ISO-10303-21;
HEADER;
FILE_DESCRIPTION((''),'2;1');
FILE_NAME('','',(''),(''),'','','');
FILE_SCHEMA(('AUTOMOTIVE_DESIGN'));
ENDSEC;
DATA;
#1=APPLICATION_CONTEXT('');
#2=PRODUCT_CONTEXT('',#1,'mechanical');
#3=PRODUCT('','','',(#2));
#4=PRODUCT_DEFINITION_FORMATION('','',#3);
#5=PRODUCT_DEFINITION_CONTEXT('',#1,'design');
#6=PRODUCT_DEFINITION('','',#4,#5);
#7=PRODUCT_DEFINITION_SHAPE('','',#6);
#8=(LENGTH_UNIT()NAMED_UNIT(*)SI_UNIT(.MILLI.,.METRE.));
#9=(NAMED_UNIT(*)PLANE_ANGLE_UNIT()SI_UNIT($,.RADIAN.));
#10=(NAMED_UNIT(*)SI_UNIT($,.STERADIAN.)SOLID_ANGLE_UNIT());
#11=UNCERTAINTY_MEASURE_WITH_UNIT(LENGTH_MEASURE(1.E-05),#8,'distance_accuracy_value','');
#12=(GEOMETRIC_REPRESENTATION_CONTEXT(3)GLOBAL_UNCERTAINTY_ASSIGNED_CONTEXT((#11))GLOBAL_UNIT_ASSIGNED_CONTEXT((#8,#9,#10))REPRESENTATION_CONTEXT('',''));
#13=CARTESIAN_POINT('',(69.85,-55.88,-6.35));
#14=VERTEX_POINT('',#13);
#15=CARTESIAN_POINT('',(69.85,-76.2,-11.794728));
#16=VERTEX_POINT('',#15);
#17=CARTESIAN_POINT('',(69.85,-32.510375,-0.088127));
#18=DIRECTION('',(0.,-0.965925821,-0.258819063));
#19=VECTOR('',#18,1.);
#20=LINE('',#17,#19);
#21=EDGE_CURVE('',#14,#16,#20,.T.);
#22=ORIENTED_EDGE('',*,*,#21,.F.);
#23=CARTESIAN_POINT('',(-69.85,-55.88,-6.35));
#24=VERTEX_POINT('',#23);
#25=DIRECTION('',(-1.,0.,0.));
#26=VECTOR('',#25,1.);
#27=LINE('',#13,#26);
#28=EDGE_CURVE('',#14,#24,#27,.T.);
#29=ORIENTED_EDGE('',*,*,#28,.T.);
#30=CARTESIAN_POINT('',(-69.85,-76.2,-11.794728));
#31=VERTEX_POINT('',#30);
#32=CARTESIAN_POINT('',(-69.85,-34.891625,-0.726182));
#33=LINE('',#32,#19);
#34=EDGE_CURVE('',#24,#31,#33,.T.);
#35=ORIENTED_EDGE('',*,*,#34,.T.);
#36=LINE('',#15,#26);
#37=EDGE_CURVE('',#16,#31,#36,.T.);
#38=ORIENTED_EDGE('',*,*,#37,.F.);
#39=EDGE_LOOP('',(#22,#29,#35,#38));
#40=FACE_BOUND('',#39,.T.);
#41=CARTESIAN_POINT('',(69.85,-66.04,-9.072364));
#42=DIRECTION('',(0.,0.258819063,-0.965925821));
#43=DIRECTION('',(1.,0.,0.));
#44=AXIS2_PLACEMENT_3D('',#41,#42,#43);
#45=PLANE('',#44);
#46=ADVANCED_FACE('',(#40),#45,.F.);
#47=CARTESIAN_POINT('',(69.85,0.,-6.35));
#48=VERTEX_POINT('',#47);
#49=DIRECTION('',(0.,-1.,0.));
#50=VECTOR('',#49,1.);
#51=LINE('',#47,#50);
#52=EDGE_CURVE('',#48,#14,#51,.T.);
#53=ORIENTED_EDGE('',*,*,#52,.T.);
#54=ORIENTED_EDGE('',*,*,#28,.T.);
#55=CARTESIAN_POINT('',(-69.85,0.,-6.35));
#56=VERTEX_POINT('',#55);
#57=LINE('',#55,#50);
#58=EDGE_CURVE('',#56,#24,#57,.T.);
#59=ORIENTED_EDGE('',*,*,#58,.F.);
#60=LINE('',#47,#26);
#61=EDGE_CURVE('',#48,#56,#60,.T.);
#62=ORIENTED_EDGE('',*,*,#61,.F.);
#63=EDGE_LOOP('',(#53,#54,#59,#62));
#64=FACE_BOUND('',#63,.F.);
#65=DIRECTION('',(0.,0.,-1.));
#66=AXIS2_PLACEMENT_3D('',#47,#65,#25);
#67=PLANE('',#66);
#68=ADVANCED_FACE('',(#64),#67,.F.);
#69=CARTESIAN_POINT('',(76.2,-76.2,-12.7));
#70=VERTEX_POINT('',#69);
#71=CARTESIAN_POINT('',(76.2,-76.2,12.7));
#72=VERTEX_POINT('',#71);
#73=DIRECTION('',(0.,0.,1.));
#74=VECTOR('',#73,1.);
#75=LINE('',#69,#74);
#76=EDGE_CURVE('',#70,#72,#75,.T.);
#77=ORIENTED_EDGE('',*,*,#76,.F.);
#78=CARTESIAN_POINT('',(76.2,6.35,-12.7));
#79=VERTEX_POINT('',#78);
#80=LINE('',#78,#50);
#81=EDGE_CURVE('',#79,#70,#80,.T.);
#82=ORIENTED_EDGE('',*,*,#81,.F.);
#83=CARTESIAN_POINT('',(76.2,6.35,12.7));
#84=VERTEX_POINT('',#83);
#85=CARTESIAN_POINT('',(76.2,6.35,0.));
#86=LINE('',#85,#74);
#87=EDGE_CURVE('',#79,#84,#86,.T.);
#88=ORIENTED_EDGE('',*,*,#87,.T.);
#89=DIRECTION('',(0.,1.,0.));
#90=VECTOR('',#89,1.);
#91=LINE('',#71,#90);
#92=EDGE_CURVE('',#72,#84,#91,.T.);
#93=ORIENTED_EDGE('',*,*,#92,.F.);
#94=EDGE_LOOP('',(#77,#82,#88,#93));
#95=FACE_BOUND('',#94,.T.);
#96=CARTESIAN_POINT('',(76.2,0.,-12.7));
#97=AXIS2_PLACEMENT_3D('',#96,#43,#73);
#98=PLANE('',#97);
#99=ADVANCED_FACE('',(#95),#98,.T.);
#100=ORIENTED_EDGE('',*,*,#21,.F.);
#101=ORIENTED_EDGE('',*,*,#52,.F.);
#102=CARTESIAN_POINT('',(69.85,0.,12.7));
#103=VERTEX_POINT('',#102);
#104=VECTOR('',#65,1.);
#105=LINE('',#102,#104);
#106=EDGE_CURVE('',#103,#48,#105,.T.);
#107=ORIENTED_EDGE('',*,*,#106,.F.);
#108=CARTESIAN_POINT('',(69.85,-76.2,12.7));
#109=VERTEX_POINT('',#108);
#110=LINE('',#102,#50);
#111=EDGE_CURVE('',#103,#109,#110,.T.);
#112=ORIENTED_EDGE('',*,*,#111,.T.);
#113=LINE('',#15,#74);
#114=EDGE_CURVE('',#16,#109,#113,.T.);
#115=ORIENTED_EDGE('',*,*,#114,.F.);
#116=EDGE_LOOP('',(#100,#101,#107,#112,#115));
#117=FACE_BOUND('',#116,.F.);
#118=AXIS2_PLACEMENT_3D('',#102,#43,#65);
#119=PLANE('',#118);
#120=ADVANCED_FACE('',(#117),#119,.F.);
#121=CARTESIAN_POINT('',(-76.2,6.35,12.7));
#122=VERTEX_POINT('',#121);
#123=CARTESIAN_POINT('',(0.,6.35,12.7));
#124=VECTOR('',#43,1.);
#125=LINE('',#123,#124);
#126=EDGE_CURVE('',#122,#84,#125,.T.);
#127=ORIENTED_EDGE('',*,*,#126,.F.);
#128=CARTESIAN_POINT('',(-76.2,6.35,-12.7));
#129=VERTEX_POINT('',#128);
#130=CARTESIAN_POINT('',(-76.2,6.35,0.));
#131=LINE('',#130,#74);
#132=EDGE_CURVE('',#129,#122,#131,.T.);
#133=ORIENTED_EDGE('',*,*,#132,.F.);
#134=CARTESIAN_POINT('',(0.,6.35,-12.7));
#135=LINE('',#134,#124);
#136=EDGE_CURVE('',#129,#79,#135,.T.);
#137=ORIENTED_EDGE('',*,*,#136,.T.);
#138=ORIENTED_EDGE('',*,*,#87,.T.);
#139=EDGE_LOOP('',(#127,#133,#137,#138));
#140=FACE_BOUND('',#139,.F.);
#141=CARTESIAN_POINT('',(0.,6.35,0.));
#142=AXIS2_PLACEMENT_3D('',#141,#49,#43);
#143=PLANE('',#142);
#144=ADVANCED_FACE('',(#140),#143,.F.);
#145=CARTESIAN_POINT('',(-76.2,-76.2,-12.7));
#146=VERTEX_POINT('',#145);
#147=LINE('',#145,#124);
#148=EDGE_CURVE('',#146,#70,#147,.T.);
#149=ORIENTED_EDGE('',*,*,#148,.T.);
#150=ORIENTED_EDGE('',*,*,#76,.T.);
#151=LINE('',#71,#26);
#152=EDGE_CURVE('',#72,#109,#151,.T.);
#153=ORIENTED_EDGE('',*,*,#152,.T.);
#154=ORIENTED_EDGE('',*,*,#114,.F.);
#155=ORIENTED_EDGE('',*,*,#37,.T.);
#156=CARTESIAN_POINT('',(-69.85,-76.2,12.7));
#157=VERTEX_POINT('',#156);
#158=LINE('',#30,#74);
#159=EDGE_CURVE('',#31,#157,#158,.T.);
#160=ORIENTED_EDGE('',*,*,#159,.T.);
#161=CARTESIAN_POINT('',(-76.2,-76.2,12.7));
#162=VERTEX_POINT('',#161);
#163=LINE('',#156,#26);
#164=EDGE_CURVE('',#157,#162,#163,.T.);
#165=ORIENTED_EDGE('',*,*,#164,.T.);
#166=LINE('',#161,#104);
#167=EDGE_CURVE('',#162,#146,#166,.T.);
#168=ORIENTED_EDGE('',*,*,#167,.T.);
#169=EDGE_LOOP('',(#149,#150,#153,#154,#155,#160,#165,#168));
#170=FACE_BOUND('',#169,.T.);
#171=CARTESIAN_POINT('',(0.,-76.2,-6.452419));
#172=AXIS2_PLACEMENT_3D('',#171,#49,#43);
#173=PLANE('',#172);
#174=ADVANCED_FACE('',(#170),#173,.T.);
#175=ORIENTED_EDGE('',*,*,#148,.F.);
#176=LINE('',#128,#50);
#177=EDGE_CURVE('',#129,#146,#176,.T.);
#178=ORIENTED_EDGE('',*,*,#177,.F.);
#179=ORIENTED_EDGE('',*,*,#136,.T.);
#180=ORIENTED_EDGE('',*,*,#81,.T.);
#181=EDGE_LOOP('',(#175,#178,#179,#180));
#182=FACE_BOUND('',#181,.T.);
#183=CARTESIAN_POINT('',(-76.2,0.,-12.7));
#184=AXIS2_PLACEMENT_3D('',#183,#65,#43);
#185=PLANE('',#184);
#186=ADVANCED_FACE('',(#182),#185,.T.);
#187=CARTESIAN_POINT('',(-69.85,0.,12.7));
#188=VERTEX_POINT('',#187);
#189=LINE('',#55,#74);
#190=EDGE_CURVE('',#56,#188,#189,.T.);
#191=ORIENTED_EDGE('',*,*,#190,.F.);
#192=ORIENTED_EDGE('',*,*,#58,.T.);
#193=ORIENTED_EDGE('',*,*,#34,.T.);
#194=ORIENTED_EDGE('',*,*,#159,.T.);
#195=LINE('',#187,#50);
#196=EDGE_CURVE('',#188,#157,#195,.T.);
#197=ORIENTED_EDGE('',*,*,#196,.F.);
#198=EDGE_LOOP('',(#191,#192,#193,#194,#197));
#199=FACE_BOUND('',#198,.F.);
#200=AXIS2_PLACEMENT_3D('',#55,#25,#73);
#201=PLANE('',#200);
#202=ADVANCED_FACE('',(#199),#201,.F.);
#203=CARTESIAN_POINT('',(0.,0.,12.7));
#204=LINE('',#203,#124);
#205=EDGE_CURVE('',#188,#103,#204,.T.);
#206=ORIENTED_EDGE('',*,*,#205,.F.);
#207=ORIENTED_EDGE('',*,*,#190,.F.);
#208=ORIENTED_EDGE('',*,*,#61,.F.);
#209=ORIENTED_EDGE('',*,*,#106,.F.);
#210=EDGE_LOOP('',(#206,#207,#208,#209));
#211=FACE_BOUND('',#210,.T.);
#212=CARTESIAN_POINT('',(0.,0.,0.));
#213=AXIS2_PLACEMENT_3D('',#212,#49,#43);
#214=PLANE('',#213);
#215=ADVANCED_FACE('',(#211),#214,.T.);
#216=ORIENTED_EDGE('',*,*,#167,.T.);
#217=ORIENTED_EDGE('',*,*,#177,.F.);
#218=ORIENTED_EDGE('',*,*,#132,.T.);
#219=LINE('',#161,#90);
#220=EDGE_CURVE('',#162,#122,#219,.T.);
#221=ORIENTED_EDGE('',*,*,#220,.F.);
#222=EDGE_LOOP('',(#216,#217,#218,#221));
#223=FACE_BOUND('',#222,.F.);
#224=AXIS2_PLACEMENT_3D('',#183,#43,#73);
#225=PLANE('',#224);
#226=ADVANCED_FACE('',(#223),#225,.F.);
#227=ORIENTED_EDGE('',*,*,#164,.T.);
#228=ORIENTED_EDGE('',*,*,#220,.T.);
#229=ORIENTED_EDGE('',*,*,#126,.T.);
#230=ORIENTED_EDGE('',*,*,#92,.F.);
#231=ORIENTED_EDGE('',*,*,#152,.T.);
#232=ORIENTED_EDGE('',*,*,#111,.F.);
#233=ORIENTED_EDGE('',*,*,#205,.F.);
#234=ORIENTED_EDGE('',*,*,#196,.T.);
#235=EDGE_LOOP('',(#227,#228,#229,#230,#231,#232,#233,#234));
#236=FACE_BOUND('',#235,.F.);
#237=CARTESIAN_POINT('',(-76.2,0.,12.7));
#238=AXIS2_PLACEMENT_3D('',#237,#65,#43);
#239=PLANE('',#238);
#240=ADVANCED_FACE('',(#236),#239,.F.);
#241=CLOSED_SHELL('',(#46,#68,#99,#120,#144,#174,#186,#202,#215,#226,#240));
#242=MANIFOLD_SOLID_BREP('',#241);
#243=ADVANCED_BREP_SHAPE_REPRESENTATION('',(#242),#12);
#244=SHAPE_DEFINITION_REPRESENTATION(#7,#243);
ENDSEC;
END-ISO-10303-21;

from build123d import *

# Parameters (mm, degrees)
F1_DEPTH = 76.2
F2_SIZE2 = 5.444728
F2_SIZE  = 20.32
F3_W     = 152.4
F3_H     = 25.4
F4_DEPTH = 6.35


with BuildPart() as f1:
    # F0 (on Front) → F1 (new body)
    with BuildSketch(Plane.XZ):
        Polygon((69.85, -12.7), (76.2, -12.7), (76.2, 12.7), (69.85, 12.7), (69.85, -6.35), (-69.85, -6.35), (-69.85, 12.7), (-76.2, 12.7), (-76.2, -6.35), (-76.2, -12.7), align=None)
    extrude(amount=F1_DEPTH)

    # F2
    f2_edges = [f1.edges().sort_by_distance(p)[0] for p in [
        (0, -76.2, -6.35),
    ]]
    chamfer(f2_edges, length=F2_SIZE, length2=F2_SIZE2)

    # F3 (on Front) → F4 (join)
    with BuildSketch(Plane.XZ):
        Rectangle(F3_W, F3_H)
    extrude(amount=-F4_DEPTH)


solid = f1.part
